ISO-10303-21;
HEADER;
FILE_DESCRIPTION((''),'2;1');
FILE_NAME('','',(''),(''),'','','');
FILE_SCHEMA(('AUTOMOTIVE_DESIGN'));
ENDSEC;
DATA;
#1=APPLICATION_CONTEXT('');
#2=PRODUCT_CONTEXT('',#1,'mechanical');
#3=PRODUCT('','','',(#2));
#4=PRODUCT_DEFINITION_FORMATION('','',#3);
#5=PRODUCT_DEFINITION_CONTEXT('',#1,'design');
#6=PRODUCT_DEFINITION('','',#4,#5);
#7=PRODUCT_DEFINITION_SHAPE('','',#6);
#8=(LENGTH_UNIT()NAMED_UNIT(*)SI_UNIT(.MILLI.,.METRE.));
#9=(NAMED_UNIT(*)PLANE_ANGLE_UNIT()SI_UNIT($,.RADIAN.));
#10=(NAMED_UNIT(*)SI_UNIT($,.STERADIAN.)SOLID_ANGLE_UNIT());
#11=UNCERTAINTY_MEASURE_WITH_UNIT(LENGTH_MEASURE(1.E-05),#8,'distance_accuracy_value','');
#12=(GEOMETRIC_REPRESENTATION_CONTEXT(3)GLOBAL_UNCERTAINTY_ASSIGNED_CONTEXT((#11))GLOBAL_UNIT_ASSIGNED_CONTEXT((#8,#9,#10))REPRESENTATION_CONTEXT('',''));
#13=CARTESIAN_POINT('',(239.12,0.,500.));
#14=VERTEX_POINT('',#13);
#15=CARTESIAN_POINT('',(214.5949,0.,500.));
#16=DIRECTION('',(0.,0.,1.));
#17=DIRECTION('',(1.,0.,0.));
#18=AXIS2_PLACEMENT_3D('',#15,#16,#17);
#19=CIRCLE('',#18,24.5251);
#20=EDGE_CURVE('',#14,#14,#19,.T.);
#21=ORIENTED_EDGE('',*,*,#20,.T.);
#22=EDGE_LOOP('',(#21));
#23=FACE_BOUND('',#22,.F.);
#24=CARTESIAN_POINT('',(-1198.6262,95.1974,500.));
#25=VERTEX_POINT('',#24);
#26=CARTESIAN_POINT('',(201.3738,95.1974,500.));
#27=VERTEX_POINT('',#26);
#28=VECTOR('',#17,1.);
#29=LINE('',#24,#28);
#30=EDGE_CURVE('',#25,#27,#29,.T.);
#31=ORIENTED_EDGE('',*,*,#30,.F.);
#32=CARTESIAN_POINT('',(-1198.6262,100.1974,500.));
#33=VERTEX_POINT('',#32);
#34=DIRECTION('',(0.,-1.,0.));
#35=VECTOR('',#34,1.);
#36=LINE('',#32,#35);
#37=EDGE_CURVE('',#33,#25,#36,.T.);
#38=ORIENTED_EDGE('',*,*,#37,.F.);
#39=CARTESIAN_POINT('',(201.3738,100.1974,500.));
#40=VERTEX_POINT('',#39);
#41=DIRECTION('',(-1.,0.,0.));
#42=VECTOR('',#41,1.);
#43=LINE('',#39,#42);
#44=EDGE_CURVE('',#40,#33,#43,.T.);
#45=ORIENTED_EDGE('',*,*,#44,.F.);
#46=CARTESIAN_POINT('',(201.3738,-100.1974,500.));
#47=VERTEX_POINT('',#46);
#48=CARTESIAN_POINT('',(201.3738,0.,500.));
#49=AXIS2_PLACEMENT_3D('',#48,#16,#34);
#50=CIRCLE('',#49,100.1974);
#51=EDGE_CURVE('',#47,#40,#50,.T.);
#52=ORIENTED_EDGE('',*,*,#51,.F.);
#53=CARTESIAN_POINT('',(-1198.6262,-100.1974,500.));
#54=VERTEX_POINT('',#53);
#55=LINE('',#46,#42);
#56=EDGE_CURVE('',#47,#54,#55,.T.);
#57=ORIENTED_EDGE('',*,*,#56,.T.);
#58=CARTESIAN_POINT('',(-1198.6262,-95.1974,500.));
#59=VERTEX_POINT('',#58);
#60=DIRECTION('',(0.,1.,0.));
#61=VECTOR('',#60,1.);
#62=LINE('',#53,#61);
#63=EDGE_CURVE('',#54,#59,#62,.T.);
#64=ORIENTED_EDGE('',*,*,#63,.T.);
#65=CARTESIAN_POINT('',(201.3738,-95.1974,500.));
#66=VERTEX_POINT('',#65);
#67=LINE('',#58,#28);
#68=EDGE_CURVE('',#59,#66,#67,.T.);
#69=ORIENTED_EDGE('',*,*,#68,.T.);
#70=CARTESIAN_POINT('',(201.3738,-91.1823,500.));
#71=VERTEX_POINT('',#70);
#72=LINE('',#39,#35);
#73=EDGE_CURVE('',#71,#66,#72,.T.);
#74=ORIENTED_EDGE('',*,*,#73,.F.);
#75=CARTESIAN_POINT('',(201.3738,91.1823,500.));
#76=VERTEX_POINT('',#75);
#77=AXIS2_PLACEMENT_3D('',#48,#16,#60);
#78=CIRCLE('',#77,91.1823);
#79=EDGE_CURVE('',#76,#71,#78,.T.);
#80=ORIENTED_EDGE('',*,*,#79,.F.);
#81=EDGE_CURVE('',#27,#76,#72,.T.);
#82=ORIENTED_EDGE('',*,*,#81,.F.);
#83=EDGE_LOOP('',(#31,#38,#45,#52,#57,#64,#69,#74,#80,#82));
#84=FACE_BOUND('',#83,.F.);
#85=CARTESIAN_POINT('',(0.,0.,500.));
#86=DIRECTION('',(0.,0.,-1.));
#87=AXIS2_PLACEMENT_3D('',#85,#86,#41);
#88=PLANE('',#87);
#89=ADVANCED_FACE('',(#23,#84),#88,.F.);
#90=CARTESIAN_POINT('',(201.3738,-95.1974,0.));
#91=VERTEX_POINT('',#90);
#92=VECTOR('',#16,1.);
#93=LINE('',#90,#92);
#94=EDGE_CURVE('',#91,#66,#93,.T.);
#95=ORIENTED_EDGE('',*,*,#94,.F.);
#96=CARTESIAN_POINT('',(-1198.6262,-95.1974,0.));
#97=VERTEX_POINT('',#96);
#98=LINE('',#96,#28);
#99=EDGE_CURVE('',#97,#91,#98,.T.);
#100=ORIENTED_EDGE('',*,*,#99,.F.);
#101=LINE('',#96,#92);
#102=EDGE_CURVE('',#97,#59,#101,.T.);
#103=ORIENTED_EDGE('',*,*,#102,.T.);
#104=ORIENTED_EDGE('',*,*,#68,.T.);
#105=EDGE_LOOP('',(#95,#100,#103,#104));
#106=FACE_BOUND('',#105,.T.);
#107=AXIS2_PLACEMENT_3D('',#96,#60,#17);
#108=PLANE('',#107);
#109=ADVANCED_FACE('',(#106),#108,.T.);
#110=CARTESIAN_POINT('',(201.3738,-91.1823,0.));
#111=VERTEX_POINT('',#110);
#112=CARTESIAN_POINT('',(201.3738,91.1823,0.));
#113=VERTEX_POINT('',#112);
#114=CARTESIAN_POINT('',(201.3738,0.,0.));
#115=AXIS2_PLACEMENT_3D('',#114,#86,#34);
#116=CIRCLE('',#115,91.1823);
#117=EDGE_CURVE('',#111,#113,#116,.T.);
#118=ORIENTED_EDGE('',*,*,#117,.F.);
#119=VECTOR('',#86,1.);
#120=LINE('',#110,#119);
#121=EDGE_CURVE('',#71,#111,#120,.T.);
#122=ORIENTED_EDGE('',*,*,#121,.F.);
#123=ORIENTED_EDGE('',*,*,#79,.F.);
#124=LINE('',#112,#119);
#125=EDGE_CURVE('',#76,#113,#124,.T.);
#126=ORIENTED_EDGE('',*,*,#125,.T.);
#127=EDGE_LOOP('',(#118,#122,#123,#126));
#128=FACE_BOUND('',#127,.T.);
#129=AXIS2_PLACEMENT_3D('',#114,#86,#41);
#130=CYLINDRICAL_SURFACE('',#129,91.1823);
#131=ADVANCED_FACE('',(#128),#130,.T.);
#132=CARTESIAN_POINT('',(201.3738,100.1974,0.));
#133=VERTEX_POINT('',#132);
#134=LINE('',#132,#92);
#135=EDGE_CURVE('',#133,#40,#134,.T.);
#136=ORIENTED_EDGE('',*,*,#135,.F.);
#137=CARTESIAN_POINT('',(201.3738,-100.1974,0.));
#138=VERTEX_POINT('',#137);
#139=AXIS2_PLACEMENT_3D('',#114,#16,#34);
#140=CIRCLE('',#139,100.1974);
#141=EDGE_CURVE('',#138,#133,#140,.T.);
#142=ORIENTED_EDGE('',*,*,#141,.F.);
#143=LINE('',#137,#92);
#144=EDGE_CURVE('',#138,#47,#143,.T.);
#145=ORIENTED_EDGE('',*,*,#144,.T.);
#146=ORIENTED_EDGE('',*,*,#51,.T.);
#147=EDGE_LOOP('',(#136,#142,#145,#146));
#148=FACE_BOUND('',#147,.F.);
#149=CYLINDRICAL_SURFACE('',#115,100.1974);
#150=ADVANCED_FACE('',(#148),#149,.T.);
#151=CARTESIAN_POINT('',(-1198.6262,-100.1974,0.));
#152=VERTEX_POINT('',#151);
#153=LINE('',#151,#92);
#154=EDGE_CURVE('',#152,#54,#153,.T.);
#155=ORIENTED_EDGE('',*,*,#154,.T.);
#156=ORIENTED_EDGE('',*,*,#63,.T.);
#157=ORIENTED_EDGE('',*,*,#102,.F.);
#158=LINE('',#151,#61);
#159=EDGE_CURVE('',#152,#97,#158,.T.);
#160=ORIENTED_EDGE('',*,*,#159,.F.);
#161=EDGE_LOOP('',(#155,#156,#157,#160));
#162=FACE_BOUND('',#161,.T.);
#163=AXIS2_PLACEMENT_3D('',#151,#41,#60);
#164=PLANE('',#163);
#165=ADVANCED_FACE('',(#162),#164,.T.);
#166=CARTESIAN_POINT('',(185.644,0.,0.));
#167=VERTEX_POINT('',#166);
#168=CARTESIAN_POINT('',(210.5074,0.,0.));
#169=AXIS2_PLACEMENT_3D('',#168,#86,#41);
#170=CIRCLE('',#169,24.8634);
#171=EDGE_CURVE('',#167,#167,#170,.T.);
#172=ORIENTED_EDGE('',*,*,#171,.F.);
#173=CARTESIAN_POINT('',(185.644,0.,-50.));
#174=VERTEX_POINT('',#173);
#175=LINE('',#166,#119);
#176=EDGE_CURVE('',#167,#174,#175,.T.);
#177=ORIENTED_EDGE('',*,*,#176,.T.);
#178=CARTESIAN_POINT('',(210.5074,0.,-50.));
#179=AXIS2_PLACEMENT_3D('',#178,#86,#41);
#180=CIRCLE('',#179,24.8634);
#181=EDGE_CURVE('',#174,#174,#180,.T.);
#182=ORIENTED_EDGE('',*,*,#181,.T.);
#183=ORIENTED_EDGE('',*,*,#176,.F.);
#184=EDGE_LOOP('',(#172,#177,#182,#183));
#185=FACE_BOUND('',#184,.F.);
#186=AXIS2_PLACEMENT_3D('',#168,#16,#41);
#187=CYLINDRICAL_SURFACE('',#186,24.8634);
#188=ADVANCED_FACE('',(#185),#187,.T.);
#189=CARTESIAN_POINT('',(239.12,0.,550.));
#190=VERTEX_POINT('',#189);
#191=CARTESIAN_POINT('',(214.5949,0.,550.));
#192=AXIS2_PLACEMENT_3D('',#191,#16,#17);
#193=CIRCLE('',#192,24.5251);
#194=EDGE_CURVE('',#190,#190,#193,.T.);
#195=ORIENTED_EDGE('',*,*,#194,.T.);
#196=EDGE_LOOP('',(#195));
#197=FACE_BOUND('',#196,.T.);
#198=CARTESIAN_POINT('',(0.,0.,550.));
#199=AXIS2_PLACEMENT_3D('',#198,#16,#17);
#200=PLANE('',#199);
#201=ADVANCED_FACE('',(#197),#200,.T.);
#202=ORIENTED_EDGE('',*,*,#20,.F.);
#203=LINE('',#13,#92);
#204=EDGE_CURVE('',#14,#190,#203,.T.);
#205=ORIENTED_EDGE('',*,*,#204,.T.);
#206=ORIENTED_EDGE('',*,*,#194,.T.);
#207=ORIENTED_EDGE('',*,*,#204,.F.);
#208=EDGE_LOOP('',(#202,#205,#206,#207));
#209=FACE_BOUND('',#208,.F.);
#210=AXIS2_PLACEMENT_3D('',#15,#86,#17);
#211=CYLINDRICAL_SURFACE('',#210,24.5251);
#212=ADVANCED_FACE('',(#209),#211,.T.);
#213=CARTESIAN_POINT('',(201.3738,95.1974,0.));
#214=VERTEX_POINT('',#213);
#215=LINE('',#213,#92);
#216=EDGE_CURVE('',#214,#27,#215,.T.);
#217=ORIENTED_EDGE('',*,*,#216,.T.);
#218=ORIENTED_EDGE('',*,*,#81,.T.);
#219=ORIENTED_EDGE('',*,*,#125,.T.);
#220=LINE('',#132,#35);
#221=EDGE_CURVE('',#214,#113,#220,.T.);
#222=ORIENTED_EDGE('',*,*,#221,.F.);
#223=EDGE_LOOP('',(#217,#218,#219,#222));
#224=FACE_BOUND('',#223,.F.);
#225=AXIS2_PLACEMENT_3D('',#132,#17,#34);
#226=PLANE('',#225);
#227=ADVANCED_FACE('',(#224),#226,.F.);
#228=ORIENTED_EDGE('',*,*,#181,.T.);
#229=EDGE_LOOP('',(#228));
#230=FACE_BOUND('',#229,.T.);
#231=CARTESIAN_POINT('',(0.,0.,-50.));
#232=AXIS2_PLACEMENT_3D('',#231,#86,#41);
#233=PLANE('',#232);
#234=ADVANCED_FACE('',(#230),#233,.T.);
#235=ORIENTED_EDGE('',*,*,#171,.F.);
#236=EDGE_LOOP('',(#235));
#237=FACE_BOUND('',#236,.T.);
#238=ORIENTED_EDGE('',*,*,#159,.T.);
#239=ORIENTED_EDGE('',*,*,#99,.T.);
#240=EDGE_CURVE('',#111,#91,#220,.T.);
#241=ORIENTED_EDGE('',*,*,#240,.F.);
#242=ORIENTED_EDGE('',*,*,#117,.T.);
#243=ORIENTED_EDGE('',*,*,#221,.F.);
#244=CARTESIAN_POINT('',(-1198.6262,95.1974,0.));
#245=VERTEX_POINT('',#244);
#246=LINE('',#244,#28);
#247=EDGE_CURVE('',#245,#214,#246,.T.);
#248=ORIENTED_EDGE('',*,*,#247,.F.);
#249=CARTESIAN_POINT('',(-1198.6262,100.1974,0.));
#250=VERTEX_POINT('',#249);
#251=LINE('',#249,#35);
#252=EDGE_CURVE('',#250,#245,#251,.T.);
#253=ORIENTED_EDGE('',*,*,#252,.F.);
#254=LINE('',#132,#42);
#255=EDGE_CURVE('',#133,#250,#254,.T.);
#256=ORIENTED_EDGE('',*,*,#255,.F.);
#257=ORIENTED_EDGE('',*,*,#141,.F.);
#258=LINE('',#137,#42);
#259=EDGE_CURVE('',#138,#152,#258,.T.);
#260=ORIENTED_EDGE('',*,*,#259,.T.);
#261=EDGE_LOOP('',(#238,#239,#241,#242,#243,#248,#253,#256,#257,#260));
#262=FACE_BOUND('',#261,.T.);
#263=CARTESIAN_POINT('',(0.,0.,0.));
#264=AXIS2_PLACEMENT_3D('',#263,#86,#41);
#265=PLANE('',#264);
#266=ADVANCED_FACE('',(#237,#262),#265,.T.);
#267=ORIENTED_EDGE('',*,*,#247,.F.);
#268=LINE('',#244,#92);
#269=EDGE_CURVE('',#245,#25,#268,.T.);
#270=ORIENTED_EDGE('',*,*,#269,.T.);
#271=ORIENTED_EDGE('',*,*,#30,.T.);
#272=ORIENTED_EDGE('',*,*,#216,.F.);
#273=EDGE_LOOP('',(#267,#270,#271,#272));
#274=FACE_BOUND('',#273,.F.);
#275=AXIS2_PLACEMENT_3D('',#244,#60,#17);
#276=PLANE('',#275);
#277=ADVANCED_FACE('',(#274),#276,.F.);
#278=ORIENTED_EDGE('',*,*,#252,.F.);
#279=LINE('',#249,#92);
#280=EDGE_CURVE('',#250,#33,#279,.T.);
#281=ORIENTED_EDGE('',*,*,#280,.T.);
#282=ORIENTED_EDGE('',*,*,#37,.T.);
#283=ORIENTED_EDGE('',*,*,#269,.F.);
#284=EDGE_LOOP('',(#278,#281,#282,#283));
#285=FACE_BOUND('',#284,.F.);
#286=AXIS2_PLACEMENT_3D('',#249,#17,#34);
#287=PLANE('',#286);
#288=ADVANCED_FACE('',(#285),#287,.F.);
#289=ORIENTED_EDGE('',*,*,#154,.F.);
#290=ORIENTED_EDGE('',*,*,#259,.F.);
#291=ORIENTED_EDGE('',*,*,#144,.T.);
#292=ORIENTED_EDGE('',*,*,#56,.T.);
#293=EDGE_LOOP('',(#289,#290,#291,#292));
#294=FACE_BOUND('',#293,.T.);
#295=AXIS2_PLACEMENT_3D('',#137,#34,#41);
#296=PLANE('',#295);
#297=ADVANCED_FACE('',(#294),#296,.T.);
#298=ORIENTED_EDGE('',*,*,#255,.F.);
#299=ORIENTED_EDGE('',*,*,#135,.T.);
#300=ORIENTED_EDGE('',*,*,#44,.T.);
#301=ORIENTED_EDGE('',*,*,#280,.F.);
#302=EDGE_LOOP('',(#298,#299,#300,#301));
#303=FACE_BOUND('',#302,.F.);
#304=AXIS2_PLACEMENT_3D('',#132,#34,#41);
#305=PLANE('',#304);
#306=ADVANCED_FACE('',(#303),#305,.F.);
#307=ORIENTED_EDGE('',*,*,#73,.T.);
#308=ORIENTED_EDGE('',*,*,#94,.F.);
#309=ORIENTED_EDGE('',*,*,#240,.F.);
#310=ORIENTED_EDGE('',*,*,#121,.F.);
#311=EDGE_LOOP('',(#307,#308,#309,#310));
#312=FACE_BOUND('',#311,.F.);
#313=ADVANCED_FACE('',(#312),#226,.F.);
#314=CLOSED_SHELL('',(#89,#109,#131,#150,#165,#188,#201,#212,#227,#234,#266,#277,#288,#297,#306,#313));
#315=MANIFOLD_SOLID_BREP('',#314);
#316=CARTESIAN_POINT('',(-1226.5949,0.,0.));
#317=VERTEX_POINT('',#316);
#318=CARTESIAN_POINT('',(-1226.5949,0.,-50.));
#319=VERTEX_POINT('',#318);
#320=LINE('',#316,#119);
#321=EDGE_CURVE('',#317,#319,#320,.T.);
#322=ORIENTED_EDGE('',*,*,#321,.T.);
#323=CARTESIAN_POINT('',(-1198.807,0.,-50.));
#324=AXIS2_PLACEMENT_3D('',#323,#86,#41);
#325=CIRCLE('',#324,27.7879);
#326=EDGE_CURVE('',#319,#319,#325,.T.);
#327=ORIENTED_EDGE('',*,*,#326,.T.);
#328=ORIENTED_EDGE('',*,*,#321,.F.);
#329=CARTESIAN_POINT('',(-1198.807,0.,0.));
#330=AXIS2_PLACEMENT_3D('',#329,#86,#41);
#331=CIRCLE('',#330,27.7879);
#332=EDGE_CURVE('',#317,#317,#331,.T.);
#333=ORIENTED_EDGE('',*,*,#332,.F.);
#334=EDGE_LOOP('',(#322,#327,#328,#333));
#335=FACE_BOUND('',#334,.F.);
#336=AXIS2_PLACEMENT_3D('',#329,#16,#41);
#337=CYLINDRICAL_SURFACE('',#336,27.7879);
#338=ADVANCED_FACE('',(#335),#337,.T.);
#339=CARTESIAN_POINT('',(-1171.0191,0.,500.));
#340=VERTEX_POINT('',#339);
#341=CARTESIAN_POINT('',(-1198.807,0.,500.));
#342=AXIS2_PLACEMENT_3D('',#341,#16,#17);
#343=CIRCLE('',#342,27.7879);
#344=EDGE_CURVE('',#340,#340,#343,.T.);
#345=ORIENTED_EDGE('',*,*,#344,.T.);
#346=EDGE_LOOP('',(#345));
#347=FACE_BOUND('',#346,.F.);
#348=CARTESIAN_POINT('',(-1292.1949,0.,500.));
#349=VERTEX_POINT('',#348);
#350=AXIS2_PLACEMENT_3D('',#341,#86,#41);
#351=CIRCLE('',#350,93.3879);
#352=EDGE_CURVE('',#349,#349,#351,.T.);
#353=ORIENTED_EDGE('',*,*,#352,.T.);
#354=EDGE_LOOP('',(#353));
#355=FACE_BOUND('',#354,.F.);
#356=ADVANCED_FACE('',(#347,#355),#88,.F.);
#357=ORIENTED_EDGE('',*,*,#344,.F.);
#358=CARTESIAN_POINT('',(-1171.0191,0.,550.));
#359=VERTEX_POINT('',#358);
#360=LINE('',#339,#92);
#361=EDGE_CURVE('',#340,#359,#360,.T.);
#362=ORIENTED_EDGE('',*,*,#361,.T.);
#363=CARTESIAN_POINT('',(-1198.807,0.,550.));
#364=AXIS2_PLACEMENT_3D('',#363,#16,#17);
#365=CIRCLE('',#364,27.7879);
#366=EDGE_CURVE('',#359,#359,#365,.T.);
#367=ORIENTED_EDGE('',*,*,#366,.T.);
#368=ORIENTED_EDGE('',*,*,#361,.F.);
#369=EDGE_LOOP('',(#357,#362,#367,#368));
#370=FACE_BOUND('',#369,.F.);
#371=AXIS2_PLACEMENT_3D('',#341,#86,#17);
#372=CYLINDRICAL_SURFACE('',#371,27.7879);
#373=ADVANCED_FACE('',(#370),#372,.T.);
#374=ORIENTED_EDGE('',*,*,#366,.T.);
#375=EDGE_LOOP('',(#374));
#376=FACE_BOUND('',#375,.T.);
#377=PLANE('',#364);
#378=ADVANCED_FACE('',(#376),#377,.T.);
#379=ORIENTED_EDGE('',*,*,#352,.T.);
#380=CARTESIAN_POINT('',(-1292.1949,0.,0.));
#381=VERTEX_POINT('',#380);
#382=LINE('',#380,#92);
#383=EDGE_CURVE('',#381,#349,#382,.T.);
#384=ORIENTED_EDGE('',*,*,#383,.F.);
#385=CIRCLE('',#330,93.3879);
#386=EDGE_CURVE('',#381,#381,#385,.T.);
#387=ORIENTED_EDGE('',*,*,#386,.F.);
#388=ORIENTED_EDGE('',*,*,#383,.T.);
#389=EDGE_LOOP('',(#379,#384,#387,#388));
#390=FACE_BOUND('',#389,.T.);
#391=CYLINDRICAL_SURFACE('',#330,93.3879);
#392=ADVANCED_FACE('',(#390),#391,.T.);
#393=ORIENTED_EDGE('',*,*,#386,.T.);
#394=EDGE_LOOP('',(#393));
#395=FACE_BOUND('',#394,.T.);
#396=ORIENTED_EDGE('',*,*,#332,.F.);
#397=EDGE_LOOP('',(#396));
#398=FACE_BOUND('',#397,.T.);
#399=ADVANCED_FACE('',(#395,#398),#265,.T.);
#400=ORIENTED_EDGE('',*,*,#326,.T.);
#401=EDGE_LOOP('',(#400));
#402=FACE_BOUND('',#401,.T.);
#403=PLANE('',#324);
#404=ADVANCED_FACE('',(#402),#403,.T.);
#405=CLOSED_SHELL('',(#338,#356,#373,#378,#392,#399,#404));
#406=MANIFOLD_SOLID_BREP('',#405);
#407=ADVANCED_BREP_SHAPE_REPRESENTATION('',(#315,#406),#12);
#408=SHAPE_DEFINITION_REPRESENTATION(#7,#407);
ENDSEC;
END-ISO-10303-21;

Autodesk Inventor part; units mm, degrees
ref_plane "YZ Plane" through (0, 0, 0) normal (1, 0, 0) x (0, 1, 0)
ref_plane "XZ Plane" through (0, 0, 0) normal (0, 1, 0) x (-1, 0, 0)
ref_plane "XY Plane" through (0, 0, 0) normal (0, 0, 1) x (1, 0, 0)
sketch "Sketch1" plane through (0, 0, 0) normal (0, 0, 1) x (1, 0, 0)
  arc A0 (201.3738, -100.1974) -> (201.3738, 100.1974) centre (201.3738, 0) ccw
  line L0 (201.3738, 100.1974) -> (201.3738, -100.1974)
  point P0 (0, 0)
extrude "Extrusion1" add sketch "Sketch1" along normal blind 500
sketch "Sketch2" plane through (0, 0, 0) normal (0, 0, -1) x (-1, 0, 0)
  arc A0 (-201.3738, 100.1974) -> (-201.3738, -100.1974) centre (-201.3738, 0) ccw projected
  line L0 (-201.3738, 100.1974) -> (1198.6262, 100.1974)
  line L1 (1198.6262, 100.1974) -> (1198.6262, 95.1974)
  line L2 (1198.6262, 95.1974) -> (-201.3738, 95.1974)
  line L3 (-201.3738, 95.1974) -> (-201.3738, 100.1974)
  line L4 (-201.3738, -100.1974) -> (1198.6262, -100.1974)
  line L5 (1198.6262, -100.1974) -> (1198.6262, -93.0586)
  line L6 (1198.6262, -93.0586) -> (-201.3738, -93.0586)
  line L7 (-201.3738, -93.0586) -> (-201.3738, -100.1974)
  circle A1 centre (-201.3738, 0) radius 93.8222
  point P0 (0, 0)
  dimension "d2" = 1400
  dimension "d3" = 5
  dimension "d4" = 1400
extrude "Extrusion2" add sketch "Sketch2" against normal blind 500 contours L0 L1 L2 L3
sketch "Sketch3" plane through (0, 0, 0) normal (0, 0, -1) x (-1, 0, 0)
  point P0 (0, 0)
sketch "Sketch4" plane through (0, 0, 0) normal (0, 0, -1) x (-1, 0, 0)
  arc A0 (-201.3738, 100.1974) -> (-201.3738, -100.1974) centre (-201.3738, 0) ccw projected
  line L0 (-201.3738, -100.1974) -> (1198.6262, -100.1974)
  line L1 (1198.6262, -100.1974) -> (1198.6262, -95.1974)
  line L2 (1198.6262, -95.1974) -> (-201.3738, -95.1974)
  line L3 (-201.3738, -95.1974) -> (-201.3738, -100.1974)
  point P0 (0, 0)
  dimension "d7" = 1400
  dimension "d8" = 5
extrude "Extrusion3" add sketch "Sketch4" against normal blind 500
sketch "Sketch5" plane through (0, 0, 0) normal (0, 0, -1) x (-1, 0, 0)
  line L0 (-201.3738, -95.1974) -> (-201.3738, 95.1974) projected
  circle A0 centre (-201.3738, 0) radius 91.1823
  point P0 (0, 0)
extrude "Extrusion4" add sketch "Sketch5" against normal blind 500
sketch "Sketch6" plane through (0, 0, 0) normal (0, 0, -1) x (-1, 0, 0)
  circle A0 centre (1198.807, 0) radius 93.3879
  point P0 (0, 0)
extrude "Extrusion5" add sketch "Sketch6" against normal blind 500
sketch "Sketch7" plane through (-1198.807, 0, 0) normal (0, 0, -1) x (-1, 0, 0)
  circle A0 centre (0, 0) radius 27.7879
  point P0 (-1198.807, 0)
extrude "Extrusion6" add sketch "Sketch7" along normal blind 50
sketch "Sketch8" plane through (-1198.807, 0, 500) normal (0, 0, 1) x (1, 0, 0)
  circle A0 centre (0, 0) radius 27.7879
  point P0 (1198.807, 0)
extrude "Extrusion7" add sketch "Sketch8" along normal blind 50
sketch "Sketch9" plane through (0, 0, 500) normal (0, 0, 1) x (1, 0, 0)
  circle A0 centre (214.5949, 0) radius 24.5251
  point P0 (0, 0)
extrude "Extrusion8" add sketch "Sketch9" along normal blind 50
sketch "Sketch10" plane through (0, 0, 0) normal (0, 0, -1) x (-1, 0, 0)
  circle A0 centre (-210.5074, 0) radius 24.8634
  point P0 (0, 0)
extrude "Extrusion9" add sketch "Sketch10" along normal blind 50
equation "\"BendRadius\" = Thickness"
equation "\"BendReliefWidth\" = Thickness"
equation "\"BendReliefDepth\" = 0.5 * Thickness"
equation "\"CornerReliefSize\" = 4 * Thickness"
equation "\"MinimumRemnant\" = 2 * Thickness"
equation "\"TransitionRadius\" = BendRadius"
equation "\"JacobiRadiusSize\" = BendRadius"
equation "\"GapSize\" = Thickness"
equation "\"Thickness\" = 3.048"
properties part number "new part ee.2"
